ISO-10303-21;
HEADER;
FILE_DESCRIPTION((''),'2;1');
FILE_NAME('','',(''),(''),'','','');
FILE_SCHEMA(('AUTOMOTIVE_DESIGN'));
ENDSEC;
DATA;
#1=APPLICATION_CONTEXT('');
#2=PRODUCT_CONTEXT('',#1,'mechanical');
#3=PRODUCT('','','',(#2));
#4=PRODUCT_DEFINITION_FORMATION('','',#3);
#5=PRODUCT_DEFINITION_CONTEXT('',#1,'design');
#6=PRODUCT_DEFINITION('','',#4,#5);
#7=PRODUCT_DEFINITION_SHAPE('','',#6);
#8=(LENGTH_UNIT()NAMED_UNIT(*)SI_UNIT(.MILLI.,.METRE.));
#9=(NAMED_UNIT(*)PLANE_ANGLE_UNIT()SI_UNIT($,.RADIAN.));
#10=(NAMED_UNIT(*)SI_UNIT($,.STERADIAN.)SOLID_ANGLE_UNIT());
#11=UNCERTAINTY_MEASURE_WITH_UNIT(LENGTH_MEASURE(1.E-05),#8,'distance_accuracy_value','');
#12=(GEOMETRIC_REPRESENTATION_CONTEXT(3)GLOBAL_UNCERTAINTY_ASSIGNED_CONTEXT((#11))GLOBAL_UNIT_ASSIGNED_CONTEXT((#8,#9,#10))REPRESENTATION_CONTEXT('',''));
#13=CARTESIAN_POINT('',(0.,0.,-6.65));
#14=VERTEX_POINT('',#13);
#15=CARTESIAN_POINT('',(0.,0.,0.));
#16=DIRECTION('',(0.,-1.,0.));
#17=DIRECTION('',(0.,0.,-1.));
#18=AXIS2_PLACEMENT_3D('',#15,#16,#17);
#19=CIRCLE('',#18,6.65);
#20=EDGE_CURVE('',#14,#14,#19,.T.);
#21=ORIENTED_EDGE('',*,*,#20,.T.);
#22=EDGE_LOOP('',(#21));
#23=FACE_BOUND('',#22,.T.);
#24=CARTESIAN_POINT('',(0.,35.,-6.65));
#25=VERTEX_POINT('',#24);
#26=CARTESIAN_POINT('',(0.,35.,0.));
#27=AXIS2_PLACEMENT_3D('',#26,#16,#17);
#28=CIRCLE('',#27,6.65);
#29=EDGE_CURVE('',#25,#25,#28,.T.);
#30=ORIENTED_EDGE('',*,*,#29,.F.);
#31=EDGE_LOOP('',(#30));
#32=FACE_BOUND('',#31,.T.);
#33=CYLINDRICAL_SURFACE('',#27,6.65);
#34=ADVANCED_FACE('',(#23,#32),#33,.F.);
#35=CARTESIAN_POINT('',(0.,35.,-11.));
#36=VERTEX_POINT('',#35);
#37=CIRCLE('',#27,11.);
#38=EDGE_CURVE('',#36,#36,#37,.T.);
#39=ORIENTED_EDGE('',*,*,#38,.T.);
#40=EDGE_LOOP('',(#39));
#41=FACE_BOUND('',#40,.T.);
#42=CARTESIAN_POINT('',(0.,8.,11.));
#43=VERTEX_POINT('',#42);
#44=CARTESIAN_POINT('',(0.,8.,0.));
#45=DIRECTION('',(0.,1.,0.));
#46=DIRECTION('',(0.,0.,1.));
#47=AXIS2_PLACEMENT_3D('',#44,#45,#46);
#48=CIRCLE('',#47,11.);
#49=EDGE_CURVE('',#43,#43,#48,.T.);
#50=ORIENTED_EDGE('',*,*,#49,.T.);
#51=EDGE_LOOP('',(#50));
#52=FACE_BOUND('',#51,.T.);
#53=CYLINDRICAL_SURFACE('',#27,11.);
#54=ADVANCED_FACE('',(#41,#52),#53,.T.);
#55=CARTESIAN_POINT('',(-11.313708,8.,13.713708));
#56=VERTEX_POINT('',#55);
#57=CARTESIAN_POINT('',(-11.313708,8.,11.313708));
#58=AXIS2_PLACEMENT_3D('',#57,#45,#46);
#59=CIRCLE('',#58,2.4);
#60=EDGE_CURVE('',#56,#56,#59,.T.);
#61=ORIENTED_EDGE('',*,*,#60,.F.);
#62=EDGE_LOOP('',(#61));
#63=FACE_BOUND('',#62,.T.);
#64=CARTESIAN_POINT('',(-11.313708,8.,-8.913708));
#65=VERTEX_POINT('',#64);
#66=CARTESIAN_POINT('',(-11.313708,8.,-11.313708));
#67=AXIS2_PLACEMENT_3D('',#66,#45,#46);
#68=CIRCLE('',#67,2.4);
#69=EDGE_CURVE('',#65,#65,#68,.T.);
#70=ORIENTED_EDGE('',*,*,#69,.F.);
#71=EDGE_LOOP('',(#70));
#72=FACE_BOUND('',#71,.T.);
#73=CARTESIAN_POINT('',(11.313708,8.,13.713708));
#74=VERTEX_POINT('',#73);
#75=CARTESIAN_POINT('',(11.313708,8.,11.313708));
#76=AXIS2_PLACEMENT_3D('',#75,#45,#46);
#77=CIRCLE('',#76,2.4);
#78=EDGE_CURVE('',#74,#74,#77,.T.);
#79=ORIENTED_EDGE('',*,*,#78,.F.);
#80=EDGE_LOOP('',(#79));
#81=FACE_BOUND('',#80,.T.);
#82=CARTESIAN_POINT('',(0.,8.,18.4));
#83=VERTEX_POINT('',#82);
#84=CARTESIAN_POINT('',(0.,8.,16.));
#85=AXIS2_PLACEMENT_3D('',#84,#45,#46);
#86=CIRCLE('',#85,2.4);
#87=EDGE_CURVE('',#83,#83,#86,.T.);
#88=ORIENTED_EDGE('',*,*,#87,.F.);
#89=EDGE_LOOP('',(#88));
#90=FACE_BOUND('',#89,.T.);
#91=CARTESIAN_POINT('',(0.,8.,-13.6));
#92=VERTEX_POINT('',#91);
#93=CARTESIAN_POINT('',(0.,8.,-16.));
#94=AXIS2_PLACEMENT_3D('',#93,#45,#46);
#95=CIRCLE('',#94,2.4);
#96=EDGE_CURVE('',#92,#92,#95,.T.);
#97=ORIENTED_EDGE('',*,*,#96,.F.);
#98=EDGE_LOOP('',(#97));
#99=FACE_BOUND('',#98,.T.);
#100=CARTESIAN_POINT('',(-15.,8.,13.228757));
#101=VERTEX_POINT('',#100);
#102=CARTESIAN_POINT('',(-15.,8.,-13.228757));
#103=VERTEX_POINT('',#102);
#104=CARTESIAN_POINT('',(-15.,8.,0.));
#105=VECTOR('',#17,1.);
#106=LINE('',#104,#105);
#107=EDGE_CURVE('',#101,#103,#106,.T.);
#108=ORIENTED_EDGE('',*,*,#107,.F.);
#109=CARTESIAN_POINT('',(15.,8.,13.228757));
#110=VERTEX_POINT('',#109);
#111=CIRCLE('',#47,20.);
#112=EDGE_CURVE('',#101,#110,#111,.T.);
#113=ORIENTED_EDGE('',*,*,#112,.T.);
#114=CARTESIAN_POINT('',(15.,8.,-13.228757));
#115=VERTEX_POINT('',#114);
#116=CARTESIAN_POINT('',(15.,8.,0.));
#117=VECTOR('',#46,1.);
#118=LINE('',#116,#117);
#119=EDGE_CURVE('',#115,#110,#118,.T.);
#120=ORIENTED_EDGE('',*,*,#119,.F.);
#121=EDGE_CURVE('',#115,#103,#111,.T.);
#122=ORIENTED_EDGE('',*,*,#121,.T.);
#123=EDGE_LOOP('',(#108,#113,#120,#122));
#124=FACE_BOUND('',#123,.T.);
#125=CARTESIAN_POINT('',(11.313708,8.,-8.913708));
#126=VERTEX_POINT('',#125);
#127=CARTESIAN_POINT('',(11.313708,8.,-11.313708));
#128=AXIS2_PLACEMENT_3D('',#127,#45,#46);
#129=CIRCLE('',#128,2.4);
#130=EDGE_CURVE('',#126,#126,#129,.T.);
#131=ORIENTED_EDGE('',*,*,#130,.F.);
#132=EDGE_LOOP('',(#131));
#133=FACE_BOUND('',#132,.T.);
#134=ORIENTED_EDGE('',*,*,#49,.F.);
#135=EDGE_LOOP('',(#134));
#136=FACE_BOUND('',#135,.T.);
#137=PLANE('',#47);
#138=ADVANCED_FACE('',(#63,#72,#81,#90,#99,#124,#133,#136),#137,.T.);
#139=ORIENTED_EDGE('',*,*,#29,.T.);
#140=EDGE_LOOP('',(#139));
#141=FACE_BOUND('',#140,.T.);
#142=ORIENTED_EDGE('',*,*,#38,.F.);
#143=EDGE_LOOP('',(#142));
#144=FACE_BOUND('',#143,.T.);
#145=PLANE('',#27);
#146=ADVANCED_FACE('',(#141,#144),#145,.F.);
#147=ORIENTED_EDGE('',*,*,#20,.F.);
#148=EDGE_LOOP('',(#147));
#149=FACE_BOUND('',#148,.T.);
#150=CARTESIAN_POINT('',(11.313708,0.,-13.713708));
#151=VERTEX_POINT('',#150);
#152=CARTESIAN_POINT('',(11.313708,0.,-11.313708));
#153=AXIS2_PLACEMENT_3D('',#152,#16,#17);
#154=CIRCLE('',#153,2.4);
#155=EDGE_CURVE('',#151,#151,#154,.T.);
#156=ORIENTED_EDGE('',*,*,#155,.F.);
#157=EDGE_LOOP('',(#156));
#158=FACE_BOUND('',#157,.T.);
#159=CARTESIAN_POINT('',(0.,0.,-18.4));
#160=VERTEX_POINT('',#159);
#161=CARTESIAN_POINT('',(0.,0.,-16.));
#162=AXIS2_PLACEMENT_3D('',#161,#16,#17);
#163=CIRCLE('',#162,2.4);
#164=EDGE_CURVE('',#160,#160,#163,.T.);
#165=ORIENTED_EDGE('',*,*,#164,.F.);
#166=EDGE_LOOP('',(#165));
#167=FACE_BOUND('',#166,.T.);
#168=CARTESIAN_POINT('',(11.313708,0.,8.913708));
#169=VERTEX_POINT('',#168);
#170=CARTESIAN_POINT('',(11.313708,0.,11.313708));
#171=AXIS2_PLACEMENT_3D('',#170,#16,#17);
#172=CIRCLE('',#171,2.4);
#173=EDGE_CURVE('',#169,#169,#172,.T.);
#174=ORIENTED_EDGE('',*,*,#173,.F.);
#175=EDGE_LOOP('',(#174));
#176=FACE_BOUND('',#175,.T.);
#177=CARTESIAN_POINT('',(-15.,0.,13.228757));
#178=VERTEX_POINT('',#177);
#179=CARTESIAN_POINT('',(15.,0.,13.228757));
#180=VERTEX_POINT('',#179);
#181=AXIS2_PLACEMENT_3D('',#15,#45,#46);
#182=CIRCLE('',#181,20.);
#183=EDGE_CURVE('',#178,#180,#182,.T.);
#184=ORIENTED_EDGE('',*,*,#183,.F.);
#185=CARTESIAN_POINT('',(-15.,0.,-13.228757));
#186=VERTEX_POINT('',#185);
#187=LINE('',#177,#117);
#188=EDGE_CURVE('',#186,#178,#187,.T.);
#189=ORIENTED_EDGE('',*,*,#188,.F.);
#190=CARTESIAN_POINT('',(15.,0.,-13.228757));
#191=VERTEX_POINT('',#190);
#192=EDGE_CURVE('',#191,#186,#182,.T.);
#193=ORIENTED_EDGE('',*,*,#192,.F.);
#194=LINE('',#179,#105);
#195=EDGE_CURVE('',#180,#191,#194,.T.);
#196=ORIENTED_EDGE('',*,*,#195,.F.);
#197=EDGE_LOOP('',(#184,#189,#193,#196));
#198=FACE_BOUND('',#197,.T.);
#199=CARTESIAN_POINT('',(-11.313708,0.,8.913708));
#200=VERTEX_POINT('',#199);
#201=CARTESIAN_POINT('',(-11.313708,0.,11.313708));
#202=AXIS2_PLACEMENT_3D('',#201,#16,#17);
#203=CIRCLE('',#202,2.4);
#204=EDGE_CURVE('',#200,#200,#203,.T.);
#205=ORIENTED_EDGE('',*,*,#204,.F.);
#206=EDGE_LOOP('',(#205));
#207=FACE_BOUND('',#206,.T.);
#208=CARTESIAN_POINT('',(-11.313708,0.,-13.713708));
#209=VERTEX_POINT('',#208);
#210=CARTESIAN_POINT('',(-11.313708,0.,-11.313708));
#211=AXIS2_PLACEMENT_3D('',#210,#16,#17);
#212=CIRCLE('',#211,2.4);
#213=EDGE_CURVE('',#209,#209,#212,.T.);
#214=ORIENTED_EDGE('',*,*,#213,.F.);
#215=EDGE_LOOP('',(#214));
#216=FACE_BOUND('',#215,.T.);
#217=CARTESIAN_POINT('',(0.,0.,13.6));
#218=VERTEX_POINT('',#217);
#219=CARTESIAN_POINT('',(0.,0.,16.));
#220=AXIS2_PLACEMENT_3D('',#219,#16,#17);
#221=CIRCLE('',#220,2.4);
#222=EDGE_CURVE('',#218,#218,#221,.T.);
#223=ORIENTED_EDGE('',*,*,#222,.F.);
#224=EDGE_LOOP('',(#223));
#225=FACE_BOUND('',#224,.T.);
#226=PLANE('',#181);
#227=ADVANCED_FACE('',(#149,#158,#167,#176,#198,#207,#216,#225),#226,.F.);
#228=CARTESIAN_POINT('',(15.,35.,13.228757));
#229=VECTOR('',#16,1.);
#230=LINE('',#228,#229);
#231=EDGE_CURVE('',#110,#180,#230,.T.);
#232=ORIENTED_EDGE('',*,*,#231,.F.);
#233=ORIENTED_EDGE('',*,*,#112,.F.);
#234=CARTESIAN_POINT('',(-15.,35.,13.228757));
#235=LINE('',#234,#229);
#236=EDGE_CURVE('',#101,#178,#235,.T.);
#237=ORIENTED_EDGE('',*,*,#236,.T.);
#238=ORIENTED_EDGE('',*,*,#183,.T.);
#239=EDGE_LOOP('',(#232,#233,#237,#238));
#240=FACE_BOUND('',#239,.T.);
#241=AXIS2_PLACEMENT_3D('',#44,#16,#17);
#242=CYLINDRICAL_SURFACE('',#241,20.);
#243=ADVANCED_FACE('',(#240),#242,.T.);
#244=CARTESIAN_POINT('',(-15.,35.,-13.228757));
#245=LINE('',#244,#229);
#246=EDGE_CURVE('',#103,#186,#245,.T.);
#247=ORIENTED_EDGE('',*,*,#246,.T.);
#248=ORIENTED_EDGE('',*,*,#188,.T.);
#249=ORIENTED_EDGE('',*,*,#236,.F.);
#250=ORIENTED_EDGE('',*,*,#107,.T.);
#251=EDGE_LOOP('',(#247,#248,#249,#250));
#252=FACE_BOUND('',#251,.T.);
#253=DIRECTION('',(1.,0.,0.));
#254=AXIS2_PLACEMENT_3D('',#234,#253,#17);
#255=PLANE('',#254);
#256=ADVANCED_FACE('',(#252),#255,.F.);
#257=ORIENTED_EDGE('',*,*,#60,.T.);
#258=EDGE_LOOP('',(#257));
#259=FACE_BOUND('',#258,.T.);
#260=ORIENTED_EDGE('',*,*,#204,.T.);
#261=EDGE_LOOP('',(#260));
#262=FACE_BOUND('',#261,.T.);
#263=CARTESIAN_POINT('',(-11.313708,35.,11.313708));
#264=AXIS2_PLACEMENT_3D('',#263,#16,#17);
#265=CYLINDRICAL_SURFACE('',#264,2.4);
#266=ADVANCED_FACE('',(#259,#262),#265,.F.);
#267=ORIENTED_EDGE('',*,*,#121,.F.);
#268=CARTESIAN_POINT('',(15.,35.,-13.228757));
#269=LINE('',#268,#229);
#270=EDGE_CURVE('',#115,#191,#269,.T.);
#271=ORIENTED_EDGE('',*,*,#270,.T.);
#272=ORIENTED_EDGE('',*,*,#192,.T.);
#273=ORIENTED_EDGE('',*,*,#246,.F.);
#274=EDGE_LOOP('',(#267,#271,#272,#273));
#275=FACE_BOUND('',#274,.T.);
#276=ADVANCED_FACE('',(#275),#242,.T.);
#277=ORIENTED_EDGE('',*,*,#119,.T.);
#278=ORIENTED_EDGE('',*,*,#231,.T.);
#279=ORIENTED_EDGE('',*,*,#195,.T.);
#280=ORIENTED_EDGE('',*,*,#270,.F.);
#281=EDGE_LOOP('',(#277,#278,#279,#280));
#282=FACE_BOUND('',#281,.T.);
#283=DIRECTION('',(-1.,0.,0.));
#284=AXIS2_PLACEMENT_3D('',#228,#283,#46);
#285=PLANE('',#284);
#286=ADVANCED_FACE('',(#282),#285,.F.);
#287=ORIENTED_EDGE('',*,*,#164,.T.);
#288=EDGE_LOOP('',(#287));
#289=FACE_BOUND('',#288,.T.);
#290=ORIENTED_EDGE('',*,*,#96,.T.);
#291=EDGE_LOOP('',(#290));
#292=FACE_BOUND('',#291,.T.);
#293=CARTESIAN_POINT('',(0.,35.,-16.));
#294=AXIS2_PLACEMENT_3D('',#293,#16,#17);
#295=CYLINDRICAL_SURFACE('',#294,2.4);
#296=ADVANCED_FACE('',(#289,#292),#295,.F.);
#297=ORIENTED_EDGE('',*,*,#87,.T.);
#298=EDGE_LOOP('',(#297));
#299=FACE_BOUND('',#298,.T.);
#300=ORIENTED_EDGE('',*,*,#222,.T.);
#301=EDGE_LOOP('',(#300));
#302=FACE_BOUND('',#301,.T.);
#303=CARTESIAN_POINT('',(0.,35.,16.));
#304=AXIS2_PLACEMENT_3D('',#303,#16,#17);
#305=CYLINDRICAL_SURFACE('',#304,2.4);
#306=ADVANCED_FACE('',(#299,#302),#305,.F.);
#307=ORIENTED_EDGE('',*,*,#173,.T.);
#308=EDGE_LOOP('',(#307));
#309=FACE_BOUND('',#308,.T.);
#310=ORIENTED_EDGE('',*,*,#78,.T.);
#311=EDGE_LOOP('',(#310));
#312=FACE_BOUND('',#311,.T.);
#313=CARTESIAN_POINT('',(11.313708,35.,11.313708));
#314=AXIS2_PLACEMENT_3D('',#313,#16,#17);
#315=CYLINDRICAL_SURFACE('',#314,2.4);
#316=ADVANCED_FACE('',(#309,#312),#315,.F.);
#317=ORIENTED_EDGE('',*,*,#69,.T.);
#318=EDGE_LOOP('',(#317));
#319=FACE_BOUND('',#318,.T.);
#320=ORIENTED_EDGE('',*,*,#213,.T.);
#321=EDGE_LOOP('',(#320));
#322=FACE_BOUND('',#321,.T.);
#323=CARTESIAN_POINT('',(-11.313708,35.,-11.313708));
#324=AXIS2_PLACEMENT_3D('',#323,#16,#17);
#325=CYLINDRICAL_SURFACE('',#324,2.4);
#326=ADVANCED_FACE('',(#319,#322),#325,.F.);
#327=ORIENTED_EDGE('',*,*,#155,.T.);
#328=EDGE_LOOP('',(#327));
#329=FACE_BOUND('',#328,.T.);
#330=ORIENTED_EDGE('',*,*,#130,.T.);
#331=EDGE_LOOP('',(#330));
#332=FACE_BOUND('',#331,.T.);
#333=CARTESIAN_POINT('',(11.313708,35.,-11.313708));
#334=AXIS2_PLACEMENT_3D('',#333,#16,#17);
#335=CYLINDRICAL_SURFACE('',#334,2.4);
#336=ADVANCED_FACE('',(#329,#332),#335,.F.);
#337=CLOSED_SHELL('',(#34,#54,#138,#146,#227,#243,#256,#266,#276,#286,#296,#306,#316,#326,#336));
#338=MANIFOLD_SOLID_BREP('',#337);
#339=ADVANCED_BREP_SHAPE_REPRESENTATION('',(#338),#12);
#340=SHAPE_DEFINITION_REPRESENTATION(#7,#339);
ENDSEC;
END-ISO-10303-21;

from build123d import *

# Parameters (mm, degrees)
SKETCH_1_R          = 20
EXTRUDE_1_DEPTH     = 8
SKETCH_3_R          = 11
EXTRUDE_2_DEPTH     = 35
CUT_EXTRUDE_1_DEPTH = 46
SKETCH_6_R          = 2.4
CUT_EXTRUDE_2_DEPTH = 44.011626335
SKETCH_7_R          = 6.65
CUT_EXTRUDE_3_DEPTH = 44.011626335


with BuildPart() as part:
    # 草图1 → 凸台-拉伸1 (new body)
    with BuildSketch(Plane(origin=(0, 0, 0), x_dir=(1, 0, 0), z_dir=(0, 1, 0))):
        with Locations(Location((0, 0, 0), (0, 0, 270))):
            Circle(SKETCH_1_R)
    extrude(amount=EXTRUDE_1_DEPTH)

    # 草图3 → 凸台-拉伸2 (add)
    with BuildSketch(Plane.XZ):
        with Locations(Location((0, 0, 0), (0, 0, 270))):
            Circle(SKETCH_3_R)
    extrude(amount=-EXTRUDE_2_DEPTH)

    # 草图4 → 切除-拉伸1 (cut, through all)
    with BuildSketch(Plane.XZ):
        with BuildLine():
            Line((-15, 13.228756555), (-15, -13.228756555))
            ThreePointArc((-15, -13.228756555), (-20, 0), (-15, 13.228756555))
        make_face()
        with BuildLine():
            Line((15, 13.228756555), (15, -13.228756555))
            ThreePointArc((15, -13.228756555), (20, 0), (15, 13.228756555))
        make_face()
    extrude(amount=-CUT_EXTRUDE_1_DEPTH, mode=Mode.SUBTRACT)

    # 草图6 → 切除-拉伸2 (cut, through all)
    with BuildSketch(Plane.XZ):
        with Locations(Location((0, 16, 0), (0, 0, 270))):
            Circle(SKETCH_6_R)
        with Locations(Location((11.313708499, 11.313708499, 0), (0, 0, 270))):
            Circle(SKETCH_6_R)
        with Locations(Location((11.313708499, -11.313708499, 0), (0, 0, 270))):
            Circle(SKETCH_6_R)
        with Locations(Location((0, -16, 0), (0, 0, 270))):
            Circle(SKETCH_6_R)
        with Locations(Location((-11.313708499, -11.313708499, 0), (0, 0, 270))):
            Circle(SKETCH_6_R)
        with Locations(Location((-11.313708499, 11.313708499, 0), (0, 0, 270))):
            Circle(SKETCH_6_R)
    extrude(amount=-CUT_EXTRUDE_2_DEPTH, mode=Mode.SUBTRACT)

    # 草图7 → 切除-拉伸3 (cut, through all)
    with BuildSketch(Plane.XZ):
        with Locations(Location((0, 0, 0), (0, 0, 270))):
            Circle(SKETCH_7_R)
    extrude(amount=-CUT_EXTRUDE_3_DEPTH, mode=Mode.SUBTRACT)


solid = part.part
